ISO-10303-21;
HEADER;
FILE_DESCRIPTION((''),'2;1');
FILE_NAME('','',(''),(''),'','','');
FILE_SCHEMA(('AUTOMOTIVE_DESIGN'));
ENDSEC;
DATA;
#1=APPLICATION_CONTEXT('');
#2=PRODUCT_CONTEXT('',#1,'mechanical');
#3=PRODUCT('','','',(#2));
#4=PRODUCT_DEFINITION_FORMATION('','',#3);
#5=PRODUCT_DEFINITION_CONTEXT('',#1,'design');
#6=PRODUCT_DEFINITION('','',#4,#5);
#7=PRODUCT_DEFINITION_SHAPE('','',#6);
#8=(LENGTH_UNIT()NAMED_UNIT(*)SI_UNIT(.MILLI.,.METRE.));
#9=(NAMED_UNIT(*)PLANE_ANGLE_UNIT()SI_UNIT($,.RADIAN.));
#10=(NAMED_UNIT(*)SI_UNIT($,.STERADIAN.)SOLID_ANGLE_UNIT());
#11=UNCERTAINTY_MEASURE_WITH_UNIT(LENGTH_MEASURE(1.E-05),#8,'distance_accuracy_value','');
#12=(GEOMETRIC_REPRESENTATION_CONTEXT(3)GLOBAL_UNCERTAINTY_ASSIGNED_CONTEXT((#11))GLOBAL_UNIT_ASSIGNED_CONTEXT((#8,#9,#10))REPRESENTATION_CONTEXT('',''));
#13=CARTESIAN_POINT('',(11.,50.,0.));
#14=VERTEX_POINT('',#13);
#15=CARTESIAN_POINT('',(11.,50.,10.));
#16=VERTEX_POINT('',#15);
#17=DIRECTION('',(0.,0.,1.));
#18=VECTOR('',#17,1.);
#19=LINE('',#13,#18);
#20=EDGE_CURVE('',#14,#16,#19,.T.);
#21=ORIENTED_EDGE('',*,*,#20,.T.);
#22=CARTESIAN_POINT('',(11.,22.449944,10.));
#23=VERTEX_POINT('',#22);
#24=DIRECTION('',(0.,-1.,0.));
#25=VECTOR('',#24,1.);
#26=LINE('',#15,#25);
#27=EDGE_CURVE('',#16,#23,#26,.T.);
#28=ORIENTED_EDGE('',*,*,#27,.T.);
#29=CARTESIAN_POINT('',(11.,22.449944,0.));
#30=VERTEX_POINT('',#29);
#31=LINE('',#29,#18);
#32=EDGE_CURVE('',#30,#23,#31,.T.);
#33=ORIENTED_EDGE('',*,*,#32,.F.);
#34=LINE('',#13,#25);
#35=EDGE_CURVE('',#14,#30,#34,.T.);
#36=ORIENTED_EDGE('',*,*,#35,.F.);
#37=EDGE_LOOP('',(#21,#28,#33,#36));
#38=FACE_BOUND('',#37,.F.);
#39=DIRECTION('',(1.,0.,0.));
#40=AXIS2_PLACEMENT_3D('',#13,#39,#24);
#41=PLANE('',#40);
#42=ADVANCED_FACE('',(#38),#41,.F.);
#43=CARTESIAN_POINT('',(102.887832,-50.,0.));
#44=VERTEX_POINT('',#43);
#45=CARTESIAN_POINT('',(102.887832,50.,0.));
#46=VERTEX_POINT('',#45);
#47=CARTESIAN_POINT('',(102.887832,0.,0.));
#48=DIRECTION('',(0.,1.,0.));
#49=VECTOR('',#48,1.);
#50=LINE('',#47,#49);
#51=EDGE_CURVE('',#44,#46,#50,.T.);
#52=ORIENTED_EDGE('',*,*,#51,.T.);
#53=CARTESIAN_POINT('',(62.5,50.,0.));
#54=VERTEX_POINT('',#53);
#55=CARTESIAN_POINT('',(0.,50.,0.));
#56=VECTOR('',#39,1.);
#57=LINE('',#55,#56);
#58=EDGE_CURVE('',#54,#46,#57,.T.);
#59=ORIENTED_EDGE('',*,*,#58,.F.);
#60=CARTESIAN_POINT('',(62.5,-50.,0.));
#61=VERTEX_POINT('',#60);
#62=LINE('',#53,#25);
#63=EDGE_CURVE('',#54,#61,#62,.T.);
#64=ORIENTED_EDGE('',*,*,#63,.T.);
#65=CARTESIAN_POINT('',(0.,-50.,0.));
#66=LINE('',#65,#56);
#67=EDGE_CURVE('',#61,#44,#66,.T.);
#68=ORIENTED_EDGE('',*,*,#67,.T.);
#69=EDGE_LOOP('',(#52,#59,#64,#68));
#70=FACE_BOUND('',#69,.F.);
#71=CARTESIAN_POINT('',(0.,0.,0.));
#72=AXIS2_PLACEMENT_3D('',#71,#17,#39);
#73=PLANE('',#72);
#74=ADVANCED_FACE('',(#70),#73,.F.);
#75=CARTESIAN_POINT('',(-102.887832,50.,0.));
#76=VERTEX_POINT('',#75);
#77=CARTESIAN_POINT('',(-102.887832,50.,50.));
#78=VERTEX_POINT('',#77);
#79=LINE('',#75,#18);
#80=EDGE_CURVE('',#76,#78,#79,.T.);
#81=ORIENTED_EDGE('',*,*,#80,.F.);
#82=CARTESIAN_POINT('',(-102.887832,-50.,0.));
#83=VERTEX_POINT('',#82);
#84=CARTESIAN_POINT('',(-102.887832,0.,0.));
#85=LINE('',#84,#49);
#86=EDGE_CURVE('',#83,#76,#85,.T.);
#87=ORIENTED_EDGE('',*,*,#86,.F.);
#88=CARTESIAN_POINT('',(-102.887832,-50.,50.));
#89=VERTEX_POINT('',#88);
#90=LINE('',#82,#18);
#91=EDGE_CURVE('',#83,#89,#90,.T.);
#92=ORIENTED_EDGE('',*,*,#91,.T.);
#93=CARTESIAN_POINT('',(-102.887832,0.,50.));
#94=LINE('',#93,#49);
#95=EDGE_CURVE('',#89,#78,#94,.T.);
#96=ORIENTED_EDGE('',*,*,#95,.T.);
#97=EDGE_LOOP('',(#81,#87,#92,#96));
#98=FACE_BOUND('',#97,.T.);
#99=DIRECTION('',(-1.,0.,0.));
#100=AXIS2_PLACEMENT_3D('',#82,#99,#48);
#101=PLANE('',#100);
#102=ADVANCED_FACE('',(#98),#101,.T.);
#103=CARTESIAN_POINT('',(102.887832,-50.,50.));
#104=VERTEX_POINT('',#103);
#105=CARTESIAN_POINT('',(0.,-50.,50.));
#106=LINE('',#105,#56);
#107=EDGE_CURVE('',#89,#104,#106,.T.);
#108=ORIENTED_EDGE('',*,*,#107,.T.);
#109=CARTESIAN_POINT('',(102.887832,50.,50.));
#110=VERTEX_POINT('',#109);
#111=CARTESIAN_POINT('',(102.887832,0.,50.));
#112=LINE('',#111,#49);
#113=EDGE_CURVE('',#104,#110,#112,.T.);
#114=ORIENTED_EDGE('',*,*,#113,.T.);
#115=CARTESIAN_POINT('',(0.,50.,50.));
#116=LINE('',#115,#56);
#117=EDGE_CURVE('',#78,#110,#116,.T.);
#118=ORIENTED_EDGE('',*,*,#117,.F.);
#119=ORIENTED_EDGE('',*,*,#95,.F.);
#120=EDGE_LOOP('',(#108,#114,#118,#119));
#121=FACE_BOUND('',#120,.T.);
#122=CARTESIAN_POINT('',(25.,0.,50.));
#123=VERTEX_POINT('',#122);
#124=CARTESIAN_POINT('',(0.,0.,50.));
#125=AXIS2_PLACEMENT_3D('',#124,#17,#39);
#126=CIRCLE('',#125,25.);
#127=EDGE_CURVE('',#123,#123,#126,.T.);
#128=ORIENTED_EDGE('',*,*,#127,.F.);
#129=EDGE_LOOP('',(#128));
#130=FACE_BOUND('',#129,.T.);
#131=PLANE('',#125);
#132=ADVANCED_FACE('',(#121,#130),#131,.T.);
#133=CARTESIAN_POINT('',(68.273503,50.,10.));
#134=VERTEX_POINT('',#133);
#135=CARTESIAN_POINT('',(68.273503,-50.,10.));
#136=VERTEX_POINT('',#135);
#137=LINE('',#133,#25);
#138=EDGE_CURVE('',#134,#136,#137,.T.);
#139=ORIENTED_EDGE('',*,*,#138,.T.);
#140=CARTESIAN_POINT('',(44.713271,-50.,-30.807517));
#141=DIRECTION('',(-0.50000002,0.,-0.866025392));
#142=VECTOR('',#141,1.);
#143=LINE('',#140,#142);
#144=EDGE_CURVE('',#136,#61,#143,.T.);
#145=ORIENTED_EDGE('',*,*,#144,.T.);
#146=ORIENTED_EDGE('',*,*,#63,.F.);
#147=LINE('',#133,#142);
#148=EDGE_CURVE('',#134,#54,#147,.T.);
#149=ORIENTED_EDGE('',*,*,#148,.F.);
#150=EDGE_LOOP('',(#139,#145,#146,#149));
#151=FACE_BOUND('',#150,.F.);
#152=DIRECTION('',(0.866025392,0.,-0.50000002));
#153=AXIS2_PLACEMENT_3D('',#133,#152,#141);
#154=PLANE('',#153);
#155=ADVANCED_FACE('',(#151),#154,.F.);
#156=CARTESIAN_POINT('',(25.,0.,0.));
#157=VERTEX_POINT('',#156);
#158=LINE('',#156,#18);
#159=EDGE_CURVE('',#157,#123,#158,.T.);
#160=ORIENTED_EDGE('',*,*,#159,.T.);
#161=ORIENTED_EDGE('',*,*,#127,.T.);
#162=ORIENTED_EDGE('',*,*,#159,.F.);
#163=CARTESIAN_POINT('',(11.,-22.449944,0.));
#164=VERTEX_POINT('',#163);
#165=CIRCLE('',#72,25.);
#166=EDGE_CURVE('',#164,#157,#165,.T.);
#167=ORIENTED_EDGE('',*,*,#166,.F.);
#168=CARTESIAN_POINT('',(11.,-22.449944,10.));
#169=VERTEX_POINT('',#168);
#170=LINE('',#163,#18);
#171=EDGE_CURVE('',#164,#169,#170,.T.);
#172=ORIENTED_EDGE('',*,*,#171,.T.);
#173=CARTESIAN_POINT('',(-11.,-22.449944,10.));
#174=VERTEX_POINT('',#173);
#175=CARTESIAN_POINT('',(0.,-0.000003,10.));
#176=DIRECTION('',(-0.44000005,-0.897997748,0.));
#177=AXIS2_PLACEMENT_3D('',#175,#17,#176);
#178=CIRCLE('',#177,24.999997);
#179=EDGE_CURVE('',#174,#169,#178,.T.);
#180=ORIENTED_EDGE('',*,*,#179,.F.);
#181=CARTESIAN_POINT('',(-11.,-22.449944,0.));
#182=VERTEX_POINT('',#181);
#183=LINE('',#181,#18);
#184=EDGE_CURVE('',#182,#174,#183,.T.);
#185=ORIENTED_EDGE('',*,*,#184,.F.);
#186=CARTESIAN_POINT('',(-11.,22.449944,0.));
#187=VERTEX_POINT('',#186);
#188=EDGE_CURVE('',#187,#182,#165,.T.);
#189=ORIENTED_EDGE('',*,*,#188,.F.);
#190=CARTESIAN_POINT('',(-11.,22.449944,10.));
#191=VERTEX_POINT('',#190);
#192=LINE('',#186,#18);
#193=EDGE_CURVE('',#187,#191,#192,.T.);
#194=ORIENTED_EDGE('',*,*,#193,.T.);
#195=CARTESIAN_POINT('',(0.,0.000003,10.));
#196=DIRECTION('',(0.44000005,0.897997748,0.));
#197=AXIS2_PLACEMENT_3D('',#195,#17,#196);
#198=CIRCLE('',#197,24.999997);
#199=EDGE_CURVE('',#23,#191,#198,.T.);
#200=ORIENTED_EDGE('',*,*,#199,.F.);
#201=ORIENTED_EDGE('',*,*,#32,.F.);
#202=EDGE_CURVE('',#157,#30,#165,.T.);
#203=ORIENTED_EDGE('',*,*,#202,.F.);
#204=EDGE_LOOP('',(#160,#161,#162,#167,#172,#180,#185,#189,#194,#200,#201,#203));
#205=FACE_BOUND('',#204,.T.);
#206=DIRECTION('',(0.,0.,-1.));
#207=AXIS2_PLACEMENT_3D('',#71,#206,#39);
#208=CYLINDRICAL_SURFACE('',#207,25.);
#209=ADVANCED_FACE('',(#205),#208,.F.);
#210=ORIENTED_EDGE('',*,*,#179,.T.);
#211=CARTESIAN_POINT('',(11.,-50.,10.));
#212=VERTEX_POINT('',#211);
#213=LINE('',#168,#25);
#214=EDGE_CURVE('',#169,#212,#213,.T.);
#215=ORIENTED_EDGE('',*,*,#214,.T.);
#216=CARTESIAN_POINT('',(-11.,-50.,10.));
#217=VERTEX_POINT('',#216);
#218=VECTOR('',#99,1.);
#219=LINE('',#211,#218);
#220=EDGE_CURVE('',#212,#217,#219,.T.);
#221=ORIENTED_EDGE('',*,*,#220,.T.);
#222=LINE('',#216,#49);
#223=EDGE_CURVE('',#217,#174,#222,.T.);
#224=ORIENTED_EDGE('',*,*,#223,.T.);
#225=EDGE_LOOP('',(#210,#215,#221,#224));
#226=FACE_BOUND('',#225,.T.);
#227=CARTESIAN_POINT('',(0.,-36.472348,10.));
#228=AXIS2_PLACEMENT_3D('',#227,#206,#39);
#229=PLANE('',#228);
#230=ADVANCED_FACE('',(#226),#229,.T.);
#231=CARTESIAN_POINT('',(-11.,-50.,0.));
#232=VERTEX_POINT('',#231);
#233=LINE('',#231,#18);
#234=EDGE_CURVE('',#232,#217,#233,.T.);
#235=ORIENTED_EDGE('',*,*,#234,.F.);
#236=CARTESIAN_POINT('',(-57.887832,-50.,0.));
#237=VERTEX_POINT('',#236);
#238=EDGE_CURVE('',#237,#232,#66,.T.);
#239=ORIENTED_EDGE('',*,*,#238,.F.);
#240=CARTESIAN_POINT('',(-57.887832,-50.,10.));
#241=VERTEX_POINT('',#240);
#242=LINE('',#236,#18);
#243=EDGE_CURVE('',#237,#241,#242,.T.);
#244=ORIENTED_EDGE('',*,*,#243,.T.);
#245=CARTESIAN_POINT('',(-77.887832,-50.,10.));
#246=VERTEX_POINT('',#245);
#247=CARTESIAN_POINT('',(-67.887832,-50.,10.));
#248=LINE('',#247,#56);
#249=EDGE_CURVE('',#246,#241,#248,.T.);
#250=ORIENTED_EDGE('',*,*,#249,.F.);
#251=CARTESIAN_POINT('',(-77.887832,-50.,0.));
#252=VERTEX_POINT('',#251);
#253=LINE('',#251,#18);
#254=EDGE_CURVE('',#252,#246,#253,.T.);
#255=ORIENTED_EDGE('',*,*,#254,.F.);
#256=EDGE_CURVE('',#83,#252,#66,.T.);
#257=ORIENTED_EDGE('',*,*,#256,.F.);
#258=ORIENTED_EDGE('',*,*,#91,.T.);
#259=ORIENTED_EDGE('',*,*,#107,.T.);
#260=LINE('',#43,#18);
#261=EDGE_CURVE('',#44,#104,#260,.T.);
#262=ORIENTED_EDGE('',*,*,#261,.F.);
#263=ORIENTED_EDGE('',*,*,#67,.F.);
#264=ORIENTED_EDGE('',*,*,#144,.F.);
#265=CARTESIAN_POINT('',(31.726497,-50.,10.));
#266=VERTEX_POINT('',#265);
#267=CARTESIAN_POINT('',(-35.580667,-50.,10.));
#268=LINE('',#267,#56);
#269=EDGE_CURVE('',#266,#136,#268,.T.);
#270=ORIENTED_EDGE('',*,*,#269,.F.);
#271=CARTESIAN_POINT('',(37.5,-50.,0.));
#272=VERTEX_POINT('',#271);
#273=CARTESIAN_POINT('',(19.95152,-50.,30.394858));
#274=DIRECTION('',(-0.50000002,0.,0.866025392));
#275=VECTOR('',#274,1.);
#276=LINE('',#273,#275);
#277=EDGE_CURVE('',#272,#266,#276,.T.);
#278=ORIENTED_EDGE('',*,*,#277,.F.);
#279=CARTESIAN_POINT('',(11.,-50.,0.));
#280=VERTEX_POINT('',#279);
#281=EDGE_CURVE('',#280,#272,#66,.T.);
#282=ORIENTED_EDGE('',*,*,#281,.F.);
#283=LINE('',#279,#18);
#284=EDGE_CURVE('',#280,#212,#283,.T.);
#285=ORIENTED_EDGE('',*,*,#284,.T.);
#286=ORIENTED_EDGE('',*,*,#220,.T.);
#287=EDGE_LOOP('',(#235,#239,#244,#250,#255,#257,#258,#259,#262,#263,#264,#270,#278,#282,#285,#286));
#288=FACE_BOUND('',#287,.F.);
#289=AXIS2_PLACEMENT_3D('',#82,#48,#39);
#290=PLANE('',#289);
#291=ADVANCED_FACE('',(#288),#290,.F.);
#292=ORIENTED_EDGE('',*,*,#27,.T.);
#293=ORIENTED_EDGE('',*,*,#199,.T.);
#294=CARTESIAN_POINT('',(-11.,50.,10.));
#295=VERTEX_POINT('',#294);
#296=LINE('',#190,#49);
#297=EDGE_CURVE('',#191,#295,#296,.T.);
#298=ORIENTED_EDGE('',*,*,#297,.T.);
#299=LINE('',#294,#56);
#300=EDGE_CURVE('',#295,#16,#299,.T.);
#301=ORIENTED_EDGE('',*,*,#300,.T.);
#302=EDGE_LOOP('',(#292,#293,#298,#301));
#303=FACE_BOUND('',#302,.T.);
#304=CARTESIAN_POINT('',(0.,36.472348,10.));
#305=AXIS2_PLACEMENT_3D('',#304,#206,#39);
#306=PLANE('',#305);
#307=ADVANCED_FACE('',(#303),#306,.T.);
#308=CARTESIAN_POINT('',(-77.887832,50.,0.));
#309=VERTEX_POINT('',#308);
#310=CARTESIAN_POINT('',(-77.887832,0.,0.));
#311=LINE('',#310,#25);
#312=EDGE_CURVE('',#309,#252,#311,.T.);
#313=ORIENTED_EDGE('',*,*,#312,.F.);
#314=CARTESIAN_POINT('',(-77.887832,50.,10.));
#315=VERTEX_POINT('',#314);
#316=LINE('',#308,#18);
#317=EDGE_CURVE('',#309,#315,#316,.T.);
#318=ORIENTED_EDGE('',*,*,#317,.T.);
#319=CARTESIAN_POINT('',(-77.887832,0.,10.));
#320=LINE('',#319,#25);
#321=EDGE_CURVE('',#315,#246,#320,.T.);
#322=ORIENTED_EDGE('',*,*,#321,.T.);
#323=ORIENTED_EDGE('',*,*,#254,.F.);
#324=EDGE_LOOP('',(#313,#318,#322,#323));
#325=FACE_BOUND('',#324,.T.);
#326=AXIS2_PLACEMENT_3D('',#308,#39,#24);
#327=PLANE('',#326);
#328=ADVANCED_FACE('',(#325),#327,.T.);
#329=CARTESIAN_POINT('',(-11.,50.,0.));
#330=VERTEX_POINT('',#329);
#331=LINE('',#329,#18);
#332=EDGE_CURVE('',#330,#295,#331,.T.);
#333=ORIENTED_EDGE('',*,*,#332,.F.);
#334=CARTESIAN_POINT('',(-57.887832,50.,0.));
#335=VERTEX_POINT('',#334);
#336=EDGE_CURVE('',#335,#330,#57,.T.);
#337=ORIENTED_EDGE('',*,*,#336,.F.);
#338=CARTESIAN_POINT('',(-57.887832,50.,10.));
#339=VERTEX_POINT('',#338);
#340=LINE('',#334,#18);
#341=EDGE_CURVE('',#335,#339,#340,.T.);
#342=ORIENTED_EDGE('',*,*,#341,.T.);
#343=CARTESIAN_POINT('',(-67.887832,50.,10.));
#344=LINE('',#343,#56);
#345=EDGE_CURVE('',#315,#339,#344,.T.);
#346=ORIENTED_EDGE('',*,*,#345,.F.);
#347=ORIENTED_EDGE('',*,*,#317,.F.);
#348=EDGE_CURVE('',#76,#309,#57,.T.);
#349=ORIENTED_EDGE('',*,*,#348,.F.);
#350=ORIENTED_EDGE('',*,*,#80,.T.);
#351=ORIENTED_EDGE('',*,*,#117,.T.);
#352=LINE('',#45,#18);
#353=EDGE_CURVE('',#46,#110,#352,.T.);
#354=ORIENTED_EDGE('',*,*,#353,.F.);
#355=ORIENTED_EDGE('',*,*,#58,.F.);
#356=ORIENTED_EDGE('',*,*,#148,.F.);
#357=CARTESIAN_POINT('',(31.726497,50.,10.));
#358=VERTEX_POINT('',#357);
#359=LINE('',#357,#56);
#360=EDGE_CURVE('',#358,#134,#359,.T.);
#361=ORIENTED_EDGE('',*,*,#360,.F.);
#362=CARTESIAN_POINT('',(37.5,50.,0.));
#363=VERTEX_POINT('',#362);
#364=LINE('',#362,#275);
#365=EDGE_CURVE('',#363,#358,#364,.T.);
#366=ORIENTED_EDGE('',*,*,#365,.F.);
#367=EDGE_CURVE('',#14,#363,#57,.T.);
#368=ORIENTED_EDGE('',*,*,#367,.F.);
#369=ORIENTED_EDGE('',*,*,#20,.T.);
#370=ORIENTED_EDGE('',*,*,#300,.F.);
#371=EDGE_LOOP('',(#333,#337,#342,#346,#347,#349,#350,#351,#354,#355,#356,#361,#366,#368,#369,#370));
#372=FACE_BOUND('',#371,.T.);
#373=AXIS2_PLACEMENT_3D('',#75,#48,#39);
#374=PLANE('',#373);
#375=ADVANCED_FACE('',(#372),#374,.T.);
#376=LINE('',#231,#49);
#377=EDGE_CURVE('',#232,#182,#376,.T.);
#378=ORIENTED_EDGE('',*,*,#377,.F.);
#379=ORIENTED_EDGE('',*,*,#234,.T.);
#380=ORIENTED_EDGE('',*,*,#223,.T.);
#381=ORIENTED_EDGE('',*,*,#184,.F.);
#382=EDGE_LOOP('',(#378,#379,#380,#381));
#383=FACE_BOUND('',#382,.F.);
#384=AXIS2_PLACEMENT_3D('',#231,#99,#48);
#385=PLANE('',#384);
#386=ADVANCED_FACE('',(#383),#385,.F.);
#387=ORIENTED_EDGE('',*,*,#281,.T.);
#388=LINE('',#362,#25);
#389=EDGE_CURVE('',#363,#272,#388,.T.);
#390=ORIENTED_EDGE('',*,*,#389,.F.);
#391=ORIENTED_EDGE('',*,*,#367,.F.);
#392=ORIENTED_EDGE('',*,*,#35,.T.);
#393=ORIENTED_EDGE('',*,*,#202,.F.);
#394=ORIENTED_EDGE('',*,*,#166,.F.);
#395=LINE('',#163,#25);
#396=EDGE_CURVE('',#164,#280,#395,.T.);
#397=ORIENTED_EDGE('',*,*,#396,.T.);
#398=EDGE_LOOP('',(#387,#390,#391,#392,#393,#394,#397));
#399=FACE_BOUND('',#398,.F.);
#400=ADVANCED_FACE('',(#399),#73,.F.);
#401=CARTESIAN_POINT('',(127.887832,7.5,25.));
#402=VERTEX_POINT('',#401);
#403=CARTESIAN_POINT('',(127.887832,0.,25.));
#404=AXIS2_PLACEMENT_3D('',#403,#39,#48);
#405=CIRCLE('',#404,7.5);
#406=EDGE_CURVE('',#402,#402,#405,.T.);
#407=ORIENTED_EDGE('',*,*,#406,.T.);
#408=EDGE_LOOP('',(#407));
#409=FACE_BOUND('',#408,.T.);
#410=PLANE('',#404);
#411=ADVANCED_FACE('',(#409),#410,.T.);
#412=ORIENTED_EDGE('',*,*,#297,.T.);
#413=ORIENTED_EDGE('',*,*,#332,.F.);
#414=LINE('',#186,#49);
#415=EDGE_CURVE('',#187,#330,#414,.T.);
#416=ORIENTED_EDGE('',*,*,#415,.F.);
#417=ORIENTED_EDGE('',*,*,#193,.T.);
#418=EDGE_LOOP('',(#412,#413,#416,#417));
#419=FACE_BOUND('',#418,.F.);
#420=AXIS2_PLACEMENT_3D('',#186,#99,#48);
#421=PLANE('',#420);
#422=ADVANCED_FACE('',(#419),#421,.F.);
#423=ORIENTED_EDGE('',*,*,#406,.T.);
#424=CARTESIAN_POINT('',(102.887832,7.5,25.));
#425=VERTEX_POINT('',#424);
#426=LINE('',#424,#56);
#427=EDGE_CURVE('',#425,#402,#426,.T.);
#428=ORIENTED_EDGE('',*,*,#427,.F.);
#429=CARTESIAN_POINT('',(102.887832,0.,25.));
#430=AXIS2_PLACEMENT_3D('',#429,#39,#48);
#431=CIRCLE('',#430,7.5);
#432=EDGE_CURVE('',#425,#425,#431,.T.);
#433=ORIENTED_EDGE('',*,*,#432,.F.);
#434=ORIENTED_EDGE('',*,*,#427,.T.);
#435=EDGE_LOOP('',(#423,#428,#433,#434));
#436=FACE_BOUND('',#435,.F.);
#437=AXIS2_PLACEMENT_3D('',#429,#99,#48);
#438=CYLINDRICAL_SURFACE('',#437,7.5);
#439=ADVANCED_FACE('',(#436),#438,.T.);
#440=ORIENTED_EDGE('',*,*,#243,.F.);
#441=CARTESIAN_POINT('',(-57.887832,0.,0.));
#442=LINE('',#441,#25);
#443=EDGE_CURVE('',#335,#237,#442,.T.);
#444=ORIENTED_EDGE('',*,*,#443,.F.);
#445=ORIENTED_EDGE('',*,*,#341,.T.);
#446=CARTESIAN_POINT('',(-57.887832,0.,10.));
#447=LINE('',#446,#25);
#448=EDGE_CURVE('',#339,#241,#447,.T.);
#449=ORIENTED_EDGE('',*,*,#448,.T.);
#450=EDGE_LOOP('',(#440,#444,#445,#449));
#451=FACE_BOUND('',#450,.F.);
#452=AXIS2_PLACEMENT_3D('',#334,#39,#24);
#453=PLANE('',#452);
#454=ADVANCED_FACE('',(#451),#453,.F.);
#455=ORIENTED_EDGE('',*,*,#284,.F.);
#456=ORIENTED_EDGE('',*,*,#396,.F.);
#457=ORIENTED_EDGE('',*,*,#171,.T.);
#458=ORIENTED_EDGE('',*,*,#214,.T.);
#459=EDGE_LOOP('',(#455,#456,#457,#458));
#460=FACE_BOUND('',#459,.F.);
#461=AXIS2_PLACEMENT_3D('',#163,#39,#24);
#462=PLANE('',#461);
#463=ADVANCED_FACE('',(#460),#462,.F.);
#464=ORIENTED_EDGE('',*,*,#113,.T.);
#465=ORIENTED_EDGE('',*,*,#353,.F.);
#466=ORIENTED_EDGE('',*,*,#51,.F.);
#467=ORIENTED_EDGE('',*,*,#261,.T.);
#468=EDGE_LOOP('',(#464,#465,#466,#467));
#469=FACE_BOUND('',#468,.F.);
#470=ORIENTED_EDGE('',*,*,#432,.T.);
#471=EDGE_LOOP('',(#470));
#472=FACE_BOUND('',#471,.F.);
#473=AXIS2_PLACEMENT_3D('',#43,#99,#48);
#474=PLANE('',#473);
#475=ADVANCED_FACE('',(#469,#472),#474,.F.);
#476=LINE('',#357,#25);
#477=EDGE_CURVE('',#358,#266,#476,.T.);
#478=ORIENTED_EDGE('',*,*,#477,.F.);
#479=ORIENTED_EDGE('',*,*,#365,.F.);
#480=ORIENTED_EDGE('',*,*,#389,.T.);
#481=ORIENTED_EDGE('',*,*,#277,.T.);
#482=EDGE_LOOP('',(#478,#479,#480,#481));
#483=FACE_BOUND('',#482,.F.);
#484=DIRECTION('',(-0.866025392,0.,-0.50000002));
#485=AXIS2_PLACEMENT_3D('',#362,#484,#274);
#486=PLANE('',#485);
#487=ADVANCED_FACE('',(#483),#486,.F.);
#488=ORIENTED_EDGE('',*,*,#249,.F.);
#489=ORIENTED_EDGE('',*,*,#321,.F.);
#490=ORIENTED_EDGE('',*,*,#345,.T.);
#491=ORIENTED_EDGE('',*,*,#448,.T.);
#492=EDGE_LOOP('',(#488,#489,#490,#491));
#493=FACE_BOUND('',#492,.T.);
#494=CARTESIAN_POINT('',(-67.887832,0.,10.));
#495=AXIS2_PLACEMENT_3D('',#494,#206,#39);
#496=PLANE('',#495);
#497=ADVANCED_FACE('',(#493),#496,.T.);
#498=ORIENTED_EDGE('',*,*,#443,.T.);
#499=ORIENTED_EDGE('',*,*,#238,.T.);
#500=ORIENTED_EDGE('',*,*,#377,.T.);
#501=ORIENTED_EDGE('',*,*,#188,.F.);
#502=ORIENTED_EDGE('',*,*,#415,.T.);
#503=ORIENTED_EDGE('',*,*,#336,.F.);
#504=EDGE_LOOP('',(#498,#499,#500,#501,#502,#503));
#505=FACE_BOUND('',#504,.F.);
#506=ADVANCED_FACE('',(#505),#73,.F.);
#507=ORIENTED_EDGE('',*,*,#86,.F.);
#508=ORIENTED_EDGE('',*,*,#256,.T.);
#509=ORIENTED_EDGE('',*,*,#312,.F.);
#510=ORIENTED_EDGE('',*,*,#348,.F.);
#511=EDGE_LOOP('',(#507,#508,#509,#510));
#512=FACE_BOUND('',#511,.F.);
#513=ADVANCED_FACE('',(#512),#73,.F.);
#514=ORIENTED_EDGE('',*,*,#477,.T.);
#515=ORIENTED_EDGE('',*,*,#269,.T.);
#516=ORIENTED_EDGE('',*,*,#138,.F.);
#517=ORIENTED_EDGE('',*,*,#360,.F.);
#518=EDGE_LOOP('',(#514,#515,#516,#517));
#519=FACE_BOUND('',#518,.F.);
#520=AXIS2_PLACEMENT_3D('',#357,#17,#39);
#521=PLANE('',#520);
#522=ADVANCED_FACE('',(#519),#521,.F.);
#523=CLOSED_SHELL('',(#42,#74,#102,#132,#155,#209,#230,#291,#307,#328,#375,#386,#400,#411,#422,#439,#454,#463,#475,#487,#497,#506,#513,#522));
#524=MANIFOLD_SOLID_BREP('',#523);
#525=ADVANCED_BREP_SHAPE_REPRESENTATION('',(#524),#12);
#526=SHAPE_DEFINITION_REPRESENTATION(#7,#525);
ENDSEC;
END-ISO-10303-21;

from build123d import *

# Parameters (mm, degrees)
F0_W     = 205.775664
F0_H     = 100
F0_R     = 25
F1_DEPTH = 50
F2_W     = 20
F2_H     = 100
F3_DEPTH = 10
F5_DEPTH = 100.001
F6_R     = 7.5
F7_DEPTH = 25


with BuildPart() as f1:
    # F0 (on Top) → F1 (new body)
    with BuildSketch(Plane.XY):
        Rectangle(F0_W, F0_H)
        Circle(F0_R, mode=Mode.SUBTRACT)
    extrude(amount=F1_DEPTH)

    # F2 (on face) → F3 (cut)
    with BuildSketch(Plane(origin=(0, 0, 0), x_dir=(1, 0, 0), z_dir=(0, 0, -1))):
        with Locations((-67.887832, 0)):
            Rectangle(F2_W, F2_H)
        with BuildLine():
            Line((11, 50), (-11, 50))
            Line((-11, 50), (-11, 22.449944))
            ThreePointArc((-11, 22.449944), (0, 25), (11, 22.449944))
            Line((11, 22.449944), (11, 50))
        make_face()
        with BuildLine():
            Line((-11, -22.449944), (-11, -50))
            Line((-11, -50), (11, -50))
            Line((11, -50), (11, -22.449944))
            ThreePointArc((11, -22.449944), (0, -25), (-11, -22.449944))
        make_face()
    extrude(amount=-F3_DEPTH, mode=Mode.SUBTRACT)

    # F4 (on face) → F5 (cut, through all)
    with BuildSketch(Plane(origin=(0, 50, 0), x_dir=(-1, 0, 0), z_dir=(0, 1, 0))):
        Polygon((-62.5, 0), (-37.5, 0), (-31.726497, 10), (-68.273503, 10), align=None)
    extrude(amount=-F5_DEPTH, mode=Mode.SUBTRACT)

    # F6 (on face) → F7 (join)
    with BuildSketch(Plane.YZ.offset(102.887832)):
        with Locations((0, 25)):
            Circle(F6_R)
    extrude(amount=F7_DEPTH)


solid = f1.part
